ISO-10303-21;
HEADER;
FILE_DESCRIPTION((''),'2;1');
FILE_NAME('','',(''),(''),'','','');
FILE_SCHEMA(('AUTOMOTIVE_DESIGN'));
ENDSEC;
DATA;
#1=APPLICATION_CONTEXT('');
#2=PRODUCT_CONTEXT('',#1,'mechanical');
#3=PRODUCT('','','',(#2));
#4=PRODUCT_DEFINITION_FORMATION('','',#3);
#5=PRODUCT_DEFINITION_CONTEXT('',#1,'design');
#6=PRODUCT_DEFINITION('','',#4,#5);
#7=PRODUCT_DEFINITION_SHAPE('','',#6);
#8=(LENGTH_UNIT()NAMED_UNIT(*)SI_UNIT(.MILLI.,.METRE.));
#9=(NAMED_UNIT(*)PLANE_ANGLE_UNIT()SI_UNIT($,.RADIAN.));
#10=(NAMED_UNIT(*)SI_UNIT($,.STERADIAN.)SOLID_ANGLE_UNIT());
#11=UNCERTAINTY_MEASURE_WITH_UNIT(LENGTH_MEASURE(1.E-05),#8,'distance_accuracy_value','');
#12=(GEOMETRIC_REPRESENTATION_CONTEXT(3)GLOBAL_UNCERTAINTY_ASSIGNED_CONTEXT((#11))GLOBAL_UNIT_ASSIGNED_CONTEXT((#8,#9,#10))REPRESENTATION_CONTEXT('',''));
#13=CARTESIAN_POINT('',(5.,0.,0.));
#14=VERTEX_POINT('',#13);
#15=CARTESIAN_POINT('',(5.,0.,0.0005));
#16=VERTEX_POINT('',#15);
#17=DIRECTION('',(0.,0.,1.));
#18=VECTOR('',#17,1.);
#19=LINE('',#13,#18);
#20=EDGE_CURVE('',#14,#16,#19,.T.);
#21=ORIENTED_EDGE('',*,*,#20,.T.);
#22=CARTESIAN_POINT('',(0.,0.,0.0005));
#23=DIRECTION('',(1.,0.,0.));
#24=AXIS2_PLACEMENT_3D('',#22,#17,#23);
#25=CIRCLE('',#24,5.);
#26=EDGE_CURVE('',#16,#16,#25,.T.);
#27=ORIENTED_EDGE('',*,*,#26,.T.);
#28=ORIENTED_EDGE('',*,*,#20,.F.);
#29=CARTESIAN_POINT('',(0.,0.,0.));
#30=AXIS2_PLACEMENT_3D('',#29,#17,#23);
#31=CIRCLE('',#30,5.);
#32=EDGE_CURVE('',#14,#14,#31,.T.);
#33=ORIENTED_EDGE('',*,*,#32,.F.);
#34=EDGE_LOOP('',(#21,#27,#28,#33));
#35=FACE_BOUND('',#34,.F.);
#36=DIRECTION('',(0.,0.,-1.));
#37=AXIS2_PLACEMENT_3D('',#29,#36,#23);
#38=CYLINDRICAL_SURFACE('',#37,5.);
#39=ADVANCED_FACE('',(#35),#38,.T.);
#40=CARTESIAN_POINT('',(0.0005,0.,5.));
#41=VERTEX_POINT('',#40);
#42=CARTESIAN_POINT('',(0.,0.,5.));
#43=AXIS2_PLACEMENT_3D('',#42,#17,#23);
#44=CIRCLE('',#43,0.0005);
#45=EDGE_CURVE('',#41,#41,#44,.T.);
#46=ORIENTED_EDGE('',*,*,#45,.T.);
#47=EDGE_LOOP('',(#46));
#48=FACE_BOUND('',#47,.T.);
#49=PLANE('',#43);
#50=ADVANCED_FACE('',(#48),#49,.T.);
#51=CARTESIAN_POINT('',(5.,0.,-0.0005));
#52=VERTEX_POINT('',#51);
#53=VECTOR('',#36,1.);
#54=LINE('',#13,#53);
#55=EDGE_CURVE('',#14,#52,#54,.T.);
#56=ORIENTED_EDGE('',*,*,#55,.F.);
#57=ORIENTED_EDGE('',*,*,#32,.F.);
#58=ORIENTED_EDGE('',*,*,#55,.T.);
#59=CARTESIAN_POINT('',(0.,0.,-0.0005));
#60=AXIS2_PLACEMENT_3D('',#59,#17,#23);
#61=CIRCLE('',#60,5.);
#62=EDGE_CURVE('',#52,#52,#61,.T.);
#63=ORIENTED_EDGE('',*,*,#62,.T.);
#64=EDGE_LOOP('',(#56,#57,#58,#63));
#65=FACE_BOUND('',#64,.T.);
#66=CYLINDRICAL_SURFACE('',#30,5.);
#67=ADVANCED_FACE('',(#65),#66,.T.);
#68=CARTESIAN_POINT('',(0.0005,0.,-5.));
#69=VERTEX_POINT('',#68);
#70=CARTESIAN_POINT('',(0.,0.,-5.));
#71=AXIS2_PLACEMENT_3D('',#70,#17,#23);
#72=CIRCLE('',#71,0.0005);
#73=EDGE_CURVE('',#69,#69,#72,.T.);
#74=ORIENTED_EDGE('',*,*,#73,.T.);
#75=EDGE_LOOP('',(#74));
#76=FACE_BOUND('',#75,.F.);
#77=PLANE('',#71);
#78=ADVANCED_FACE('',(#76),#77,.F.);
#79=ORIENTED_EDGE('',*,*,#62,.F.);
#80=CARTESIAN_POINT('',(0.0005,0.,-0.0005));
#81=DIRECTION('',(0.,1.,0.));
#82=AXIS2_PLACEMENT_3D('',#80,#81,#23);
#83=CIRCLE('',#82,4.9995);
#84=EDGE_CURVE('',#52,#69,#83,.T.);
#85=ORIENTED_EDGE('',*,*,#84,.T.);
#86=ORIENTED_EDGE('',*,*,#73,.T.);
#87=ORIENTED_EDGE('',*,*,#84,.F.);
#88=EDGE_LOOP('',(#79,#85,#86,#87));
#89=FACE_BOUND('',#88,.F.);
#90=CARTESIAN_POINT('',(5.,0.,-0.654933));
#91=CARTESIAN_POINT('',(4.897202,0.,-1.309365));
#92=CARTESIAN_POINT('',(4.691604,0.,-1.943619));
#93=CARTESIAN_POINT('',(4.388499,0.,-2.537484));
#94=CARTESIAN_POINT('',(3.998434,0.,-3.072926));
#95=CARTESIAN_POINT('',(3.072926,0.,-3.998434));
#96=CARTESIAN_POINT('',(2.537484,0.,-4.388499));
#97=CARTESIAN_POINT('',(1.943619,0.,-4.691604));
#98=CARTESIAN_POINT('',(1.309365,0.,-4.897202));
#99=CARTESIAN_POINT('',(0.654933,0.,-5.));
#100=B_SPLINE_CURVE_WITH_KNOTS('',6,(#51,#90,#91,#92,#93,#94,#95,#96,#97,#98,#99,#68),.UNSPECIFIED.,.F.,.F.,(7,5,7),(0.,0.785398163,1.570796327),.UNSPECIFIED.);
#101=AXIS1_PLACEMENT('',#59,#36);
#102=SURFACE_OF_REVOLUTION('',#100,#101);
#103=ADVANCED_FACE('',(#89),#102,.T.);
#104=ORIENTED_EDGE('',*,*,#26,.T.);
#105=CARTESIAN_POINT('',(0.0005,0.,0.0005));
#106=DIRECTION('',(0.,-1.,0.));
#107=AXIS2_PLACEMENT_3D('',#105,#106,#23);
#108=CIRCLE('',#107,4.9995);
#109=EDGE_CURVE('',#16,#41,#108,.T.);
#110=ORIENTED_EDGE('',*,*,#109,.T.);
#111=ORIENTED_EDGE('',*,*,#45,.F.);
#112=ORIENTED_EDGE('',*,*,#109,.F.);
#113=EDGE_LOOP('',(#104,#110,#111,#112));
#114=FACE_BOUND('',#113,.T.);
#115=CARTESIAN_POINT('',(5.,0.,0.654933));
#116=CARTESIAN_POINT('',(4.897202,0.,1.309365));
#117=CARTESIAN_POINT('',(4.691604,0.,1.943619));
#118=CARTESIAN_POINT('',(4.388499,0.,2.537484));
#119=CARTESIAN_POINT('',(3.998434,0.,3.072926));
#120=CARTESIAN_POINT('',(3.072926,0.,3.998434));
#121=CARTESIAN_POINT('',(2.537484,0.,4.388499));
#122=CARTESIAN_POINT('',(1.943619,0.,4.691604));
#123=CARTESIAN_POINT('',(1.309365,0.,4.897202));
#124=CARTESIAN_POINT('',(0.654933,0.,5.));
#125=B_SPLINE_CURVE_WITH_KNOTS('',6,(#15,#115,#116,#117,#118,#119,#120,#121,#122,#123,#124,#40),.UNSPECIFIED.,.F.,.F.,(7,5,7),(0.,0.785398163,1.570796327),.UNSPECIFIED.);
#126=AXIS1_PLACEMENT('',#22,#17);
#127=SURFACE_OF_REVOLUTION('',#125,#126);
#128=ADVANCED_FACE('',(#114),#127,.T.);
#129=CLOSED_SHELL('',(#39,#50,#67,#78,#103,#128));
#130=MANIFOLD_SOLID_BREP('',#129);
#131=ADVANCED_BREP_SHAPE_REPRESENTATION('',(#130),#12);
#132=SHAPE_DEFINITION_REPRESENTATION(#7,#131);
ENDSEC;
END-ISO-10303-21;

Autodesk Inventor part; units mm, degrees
ref_plane "YZ Plane" through (0, 0, 0) normal (1, 0, 0) x (0, 1, 0)
ref_plane "XZ Plane" through (0, 0, 0) normal (0, 1, 0) x (-1, 0, 0)
ref_plane "XY Plane" through (0, 0, 0) normal (0, 0, 1) x (1, 0, 0)
sketch "Sketch1" plane through (0, 0, 0) normal (0, 0, 1) x (1, 0, 0)
  circle A0 centre (0, 0) radius 5
  dimension "d0" = 10
extrude "Extrusion1" add sketch "Sketch1" along normal mid plane 10
fillet "Fillet1" radius 5 2 edges at (-5, 0, 5) (-5, 0, -5)
equation "\"d1\" = d0"
properties part number "Steel Ball 10mm" material "Stainless Steel"
